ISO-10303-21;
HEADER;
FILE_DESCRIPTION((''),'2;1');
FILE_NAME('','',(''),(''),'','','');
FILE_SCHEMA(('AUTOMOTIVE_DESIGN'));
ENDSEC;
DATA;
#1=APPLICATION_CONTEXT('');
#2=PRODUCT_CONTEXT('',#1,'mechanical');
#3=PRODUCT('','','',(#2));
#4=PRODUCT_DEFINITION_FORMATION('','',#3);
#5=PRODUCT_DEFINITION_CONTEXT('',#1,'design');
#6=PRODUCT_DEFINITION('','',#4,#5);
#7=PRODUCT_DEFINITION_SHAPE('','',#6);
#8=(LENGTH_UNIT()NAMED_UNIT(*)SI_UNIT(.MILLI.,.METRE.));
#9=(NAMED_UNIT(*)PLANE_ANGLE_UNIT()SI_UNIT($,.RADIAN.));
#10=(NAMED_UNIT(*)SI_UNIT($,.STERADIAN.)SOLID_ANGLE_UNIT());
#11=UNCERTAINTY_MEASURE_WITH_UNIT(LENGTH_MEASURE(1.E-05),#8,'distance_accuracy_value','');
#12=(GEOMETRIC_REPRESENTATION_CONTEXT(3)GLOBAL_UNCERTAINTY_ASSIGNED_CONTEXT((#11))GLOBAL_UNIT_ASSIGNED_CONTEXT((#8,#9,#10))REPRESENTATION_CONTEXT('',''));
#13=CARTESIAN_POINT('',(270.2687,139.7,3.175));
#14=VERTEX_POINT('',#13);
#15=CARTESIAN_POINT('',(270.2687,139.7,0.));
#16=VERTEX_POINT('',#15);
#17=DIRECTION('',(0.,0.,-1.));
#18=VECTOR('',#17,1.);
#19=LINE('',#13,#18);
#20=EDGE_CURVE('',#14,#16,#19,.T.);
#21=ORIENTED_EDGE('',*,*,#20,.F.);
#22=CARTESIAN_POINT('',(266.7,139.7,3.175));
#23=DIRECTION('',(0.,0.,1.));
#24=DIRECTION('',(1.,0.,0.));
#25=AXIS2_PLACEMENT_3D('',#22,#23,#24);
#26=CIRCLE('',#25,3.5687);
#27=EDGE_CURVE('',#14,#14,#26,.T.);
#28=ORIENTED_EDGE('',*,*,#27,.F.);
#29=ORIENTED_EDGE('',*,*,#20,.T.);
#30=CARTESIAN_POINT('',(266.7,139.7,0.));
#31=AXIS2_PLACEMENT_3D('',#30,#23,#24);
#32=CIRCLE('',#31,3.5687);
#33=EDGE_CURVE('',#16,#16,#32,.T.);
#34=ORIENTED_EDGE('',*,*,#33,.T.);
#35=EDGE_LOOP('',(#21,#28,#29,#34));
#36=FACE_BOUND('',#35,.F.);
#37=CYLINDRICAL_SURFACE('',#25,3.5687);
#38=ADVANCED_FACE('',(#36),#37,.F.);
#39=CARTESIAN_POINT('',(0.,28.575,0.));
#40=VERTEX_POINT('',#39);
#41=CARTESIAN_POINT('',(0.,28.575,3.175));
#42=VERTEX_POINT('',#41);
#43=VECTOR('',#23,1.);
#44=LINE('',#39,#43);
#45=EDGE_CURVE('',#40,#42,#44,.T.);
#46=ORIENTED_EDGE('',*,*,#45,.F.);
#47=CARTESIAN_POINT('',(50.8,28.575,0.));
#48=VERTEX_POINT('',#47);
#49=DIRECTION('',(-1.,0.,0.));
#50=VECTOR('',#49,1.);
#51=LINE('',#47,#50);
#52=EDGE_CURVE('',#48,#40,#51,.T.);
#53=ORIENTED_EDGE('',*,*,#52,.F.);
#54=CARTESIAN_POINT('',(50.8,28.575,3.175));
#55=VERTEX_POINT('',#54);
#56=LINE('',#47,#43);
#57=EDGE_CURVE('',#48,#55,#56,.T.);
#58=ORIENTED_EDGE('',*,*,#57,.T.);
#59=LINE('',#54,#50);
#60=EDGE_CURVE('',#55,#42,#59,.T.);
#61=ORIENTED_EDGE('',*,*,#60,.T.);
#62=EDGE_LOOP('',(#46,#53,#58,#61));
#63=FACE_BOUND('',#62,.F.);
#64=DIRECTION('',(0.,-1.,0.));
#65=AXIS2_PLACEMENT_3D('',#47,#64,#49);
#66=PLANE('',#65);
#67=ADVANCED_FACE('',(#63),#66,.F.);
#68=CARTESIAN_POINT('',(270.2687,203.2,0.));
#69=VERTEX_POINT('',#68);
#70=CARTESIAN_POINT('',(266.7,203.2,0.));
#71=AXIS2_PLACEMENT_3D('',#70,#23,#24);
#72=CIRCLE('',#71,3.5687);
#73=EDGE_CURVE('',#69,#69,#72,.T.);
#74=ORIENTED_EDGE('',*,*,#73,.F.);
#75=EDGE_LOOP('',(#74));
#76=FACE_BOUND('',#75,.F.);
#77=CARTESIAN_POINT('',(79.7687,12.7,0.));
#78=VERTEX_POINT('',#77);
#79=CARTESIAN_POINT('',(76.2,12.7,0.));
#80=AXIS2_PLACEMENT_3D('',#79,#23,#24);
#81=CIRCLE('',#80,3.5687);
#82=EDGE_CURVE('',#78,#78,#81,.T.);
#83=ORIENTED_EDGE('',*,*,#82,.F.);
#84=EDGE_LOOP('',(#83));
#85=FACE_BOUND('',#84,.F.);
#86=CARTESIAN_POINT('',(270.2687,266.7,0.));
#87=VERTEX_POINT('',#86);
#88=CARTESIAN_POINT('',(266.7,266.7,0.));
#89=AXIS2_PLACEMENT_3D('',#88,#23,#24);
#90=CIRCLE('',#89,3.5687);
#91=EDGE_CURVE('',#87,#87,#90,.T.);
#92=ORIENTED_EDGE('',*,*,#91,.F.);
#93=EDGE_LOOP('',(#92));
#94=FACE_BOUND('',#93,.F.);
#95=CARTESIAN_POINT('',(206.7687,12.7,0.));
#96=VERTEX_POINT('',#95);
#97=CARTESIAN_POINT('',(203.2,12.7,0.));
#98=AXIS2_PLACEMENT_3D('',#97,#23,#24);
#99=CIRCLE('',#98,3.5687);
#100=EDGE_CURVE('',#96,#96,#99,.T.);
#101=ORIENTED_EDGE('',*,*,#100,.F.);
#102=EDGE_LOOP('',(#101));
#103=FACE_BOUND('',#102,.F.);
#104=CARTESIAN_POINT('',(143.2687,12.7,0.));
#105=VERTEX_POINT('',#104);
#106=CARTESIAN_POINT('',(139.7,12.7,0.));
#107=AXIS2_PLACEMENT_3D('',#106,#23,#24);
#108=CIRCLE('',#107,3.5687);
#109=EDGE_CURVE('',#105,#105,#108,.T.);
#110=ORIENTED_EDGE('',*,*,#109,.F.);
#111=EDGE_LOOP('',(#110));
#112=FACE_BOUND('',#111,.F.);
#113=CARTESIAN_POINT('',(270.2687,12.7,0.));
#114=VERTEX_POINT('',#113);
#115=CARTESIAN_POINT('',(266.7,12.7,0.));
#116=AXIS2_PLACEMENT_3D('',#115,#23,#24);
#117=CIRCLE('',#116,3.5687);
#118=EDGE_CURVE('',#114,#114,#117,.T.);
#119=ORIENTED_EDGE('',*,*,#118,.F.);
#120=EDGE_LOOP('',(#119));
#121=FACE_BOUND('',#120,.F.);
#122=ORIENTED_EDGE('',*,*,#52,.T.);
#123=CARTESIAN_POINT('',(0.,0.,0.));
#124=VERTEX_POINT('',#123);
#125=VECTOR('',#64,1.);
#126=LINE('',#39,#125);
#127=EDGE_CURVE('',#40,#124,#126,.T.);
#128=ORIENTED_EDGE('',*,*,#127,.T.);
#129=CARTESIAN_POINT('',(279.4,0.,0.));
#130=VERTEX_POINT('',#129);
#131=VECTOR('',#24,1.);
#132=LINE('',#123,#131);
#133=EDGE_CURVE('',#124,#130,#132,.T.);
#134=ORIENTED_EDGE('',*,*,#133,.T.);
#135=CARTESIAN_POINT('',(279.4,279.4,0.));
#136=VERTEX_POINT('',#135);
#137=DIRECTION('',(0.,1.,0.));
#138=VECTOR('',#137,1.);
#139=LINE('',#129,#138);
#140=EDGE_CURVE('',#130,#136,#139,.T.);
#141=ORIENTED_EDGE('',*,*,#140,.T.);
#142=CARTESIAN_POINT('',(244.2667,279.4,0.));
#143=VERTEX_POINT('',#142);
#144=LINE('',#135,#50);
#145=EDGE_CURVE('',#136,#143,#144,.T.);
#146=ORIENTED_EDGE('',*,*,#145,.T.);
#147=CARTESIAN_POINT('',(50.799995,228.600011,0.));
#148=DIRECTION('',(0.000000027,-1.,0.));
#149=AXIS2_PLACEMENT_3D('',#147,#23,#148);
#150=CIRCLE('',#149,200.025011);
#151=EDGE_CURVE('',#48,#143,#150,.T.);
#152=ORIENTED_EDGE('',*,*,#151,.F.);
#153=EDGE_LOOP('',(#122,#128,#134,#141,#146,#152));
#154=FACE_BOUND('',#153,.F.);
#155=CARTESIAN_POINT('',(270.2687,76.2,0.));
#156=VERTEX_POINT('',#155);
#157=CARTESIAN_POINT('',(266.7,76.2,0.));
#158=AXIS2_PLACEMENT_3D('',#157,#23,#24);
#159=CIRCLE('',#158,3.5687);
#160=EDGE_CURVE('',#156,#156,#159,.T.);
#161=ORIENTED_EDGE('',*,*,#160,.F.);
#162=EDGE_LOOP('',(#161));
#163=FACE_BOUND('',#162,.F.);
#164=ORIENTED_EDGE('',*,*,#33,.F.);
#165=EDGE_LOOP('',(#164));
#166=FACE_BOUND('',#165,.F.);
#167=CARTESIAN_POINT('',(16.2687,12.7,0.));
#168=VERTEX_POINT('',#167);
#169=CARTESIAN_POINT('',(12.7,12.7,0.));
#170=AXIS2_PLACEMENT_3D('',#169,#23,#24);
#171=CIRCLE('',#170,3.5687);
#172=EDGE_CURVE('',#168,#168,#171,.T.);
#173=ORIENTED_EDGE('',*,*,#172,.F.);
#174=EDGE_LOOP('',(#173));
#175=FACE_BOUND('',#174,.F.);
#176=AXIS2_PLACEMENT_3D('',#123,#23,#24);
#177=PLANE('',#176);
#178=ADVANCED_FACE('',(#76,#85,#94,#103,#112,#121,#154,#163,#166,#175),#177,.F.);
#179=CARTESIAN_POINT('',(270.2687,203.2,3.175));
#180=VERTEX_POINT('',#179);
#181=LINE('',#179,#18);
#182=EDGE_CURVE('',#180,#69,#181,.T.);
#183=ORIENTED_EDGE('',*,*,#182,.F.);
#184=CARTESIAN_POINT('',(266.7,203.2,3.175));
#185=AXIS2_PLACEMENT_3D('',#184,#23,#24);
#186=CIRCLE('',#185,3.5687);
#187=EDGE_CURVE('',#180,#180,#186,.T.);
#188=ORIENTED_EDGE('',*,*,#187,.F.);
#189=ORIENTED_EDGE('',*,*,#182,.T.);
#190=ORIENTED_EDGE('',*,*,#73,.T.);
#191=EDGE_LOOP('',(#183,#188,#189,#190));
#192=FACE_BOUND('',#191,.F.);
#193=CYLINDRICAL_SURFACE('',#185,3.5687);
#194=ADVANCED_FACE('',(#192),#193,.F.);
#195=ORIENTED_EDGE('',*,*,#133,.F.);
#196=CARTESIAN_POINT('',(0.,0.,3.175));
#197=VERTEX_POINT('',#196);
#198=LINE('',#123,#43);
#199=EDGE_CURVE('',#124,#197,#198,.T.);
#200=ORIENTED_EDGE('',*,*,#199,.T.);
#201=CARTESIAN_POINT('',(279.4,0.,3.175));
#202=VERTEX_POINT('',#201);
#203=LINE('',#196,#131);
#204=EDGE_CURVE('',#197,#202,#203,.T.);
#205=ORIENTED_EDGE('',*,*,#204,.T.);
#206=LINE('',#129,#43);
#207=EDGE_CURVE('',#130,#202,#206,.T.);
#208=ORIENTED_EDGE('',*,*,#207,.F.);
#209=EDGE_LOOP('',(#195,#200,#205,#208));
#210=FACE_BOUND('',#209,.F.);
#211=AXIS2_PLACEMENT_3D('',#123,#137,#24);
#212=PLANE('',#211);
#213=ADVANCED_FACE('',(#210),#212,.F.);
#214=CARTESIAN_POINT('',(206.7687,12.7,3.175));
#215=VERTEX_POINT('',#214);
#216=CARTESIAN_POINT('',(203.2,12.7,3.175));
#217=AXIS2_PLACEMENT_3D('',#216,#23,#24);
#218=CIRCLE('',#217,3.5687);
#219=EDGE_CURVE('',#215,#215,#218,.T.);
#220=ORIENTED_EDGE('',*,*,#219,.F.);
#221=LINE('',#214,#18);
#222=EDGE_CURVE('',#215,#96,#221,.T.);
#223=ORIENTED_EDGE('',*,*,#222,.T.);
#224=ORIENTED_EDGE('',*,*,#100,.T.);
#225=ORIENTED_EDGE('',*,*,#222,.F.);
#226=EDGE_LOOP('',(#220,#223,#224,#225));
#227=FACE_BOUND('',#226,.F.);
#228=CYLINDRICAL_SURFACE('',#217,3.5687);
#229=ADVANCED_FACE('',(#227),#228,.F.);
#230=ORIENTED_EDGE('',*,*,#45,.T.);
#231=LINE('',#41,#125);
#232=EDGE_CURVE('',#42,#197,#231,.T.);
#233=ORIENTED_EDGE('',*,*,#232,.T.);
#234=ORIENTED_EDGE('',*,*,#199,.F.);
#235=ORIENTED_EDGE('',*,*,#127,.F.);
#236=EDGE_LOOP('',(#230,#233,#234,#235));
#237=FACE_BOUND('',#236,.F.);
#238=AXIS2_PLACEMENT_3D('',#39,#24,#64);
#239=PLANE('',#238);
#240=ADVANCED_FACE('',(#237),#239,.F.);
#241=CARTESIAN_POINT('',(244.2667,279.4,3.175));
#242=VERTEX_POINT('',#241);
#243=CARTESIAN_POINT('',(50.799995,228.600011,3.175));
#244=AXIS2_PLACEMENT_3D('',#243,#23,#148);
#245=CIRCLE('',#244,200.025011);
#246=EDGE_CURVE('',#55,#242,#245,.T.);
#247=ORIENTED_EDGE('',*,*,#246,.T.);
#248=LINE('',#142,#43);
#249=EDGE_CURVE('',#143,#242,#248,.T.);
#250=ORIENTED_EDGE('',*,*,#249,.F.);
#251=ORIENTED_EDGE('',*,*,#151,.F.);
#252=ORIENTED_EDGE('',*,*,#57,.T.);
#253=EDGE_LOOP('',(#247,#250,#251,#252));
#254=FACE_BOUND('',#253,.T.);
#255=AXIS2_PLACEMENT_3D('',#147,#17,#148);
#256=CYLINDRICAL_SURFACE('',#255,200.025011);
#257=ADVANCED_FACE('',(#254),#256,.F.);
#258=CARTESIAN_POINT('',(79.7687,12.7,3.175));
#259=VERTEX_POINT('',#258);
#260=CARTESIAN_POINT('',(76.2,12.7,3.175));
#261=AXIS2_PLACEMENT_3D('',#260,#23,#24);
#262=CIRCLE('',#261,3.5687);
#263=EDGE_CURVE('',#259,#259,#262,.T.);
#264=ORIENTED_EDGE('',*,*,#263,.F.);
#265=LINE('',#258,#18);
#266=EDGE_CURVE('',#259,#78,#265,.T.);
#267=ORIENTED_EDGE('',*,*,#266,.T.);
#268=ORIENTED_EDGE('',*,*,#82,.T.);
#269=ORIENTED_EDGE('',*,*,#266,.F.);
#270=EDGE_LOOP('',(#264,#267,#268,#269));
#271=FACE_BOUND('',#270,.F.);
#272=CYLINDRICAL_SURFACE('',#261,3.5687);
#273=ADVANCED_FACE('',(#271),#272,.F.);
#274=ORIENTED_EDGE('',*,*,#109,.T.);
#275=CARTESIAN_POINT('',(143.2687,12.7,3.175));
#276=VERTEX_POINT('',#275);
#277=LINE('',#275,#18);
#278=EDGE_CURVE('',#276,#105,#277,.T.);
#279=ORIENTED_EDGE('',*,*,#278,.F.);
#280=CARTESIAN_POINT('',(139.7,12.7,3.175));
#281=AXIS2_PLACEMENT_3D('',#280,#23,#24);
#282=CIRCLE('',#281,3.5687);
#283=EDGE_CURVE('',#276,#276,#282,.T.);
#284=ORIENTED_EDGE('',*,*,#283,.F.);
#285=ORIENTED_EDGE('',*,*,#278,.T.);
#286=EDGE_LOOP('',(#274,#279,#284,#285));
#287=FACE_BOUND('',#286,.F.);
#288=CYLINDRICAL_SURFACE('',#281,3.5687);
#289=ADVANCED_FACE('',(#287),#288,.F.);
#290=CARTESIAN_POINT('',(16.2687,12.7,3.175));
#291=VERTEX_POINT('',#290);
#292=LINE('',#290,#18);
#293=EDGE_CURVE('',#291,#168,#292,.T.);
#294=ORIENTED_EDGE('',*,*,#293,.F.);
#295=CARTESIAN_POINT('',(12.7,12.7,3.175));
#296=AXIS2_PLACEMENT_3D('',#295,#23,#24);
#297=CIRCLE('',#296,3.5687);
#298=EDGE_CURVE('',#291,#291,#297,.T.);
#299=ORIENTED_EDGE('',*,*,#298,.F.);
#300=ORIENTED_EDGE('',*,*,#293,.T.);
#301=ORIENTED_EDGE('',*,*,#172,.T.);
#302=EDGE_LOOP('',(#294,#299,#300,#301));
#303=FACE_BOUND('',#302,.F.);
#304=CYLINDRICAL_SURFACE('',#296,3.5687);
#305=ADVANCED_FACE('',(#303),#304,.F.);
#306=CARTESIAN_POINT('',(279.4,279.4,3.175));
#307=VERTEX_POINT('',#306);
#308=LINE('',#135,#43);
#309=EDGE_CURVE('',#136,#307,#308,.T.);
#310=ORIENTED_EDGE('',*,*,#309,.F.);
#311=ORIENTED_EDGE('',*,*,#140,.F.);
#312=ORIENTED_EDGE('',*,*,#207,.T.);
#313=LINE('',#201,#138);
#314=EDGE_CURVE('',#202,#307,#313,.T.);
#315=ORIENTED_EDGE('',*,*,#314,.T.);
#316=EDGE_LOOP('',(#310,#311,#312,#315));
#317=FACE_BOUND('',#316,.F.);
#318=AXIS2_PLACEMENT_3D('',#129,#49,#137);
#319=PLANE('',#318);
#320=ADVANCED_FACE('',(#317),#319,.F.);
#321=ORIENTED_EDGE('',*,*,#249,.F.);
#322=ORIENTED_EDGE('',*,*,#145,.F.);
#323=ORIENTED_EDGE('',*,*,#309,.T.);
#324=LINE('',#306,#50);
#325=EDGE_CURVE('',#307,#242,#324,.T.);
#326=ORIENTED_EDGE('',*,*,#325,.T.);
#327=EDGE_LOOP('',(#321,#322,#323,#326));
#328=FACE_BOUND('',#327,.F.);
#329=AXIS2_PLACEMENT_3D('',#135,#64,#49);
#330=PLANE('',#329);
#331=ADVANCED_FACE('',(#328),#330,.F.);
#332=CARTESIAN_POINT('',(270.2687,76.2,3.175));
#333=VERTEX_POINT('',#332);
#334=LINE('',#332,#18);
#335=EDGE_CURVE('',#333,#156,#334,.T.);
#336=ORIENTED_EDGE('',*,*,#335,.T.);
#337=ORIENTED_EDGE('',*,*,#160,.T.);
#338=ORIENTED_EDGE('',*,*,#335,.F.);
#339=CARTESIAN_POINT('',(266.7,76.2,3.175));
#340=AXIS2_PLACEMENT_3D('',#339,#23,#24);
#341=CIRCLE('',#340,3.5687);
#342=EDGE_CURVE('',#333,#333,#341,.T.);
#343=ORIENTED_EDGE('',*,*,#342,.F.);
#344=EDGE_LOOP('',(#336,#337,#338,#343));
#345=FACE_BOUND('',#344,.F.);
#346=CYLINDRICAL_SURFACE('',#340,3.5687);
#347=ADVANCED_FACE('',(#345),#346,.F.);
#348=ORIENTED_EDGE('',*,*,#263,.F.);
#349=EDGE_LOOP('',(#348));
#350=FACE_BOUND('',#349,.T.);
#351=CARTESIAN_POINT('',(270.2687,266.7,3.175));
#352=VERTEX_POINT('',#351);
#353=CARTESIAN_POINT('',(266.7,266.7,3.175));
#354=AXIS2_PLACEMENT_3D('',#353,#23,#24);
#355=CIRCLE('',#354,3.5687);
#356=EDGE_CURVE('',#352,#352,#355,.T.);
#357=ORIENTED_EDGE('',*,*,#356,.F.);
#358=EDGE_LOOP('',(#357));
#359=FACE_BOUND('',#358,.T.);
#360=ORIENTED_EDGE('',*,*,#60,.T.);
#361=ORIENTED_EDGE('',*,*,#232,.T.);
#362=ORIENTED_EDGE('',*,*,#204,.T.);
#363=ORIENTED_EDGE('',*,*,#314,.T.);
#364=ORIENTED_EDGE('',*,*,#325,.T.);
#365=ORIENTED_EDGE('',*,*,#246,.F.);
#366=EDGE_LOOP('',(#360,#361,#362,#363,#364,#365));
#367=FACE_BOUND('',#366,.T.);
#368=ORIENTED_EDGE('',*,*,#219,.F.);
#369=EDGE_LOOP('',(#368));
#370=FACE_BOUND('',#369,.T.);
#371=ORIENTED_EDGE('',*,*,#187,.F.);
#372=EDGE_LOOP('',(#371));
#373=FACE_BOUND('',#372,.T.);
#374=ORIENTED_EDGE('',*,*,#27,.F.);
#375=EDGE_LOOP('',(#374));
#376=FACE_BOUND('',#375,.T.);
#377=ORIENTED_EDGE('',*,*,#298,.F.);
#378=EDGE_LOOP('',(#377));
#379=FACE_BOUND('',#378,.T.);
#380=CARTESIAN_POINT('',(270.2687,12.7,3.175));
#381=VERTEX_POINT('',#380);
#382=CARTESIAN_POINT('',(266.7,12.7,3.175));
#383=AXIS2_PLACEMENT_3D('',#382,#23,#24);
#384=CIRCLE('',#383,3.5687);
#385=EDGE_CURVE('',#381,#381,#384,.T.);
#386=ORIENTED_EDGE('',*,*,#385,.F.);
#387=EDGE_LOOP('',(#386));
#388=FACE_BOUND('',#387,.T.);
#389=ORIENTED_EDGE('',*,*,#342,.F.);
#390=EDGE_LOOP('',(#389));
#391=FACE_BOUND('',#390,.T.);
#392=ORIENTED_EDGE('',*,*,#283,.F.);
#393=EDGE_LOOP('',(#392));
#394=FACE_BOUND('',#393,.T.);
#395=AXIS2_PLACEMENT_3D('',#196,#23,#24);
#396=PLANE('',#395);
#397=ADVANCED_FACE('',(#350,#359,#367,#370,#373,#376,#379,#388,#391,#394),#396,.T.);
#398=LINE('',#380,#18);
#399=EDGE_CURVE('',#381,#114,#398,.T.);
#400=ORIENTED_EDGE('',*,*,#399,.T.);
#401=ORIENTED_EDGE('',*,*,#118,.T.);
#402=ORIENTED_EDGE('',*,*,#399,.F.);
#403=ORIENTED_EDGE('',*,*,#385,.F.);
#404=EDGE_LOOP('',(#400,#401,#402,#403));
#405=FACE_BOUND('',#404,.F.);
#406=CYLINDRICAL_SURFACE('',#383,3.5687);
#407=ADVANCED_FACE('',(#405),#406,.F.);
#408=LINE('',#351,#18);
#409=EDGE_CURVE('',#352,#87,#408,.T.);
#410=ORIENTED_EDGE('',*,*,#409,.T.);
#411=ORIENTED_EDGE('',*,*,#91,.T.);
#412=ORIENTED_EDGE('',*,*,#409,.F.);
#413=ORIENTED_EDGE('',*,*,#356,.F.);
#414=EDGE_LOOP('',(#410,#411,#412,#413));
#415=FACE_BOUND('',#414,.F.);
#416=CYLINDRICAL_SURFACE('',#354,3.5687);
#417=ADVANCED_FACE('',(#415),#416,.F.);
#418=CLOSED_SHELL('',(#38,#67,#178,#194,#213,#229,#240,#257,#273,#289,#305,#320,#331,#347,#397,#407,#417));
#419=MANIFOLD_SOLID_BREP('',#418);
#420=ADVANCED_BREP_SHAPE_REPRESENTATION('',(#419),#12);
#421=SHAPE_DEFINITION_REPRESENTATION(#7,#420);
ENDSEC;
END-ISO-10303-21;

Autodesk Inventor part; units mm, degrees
ref_plane "YZ Plane" through (0, 0, 0) normal (1, 0, 0) x (0, 1, 0)
ref_plane "XZ Plane" through (0, 0, 0) normal (0, 1, 0) x (-1, 0, 0)
ref_plane "XY Plane" through (0, 0, 0) normal (0, 0, 1) x (1, 0, 0)
sketch "Sketch1" plane through (0, 0, 0) normal (0, 0, 1) x (1, 0, 0)
  line L0 (0, 0) -> (279.4, 0)
  line L1 (279.4, 0) -> (279.4, 279.4)
  line L2 (279.4, 279.4) -> (244.2667, 279.4)
  line L3 (0, 28.575) -> (0, 0)
  arc A0 (50.8, 28.575) -> (244.2667, 279.4) centre (50.8, 228.6) ccw
  line L4 (50.8, 28.575) -> (0, 28.575)
  dimension "d0" = 279.4
  dimension "d1" = 279.4
  dimension "d2" = 228.6
  dimension "d3" = 228.6
  dimension "d4" = 400.05
extrude "Extrusion1" add sketch "Sketch1" along normal blind 3.175
sketch "Sketch2" plane through (0, 0, 3.175) normal (0, 0, 1) x (1, 0, 0)
  circle A0 centre (266.7, 12.7) radius 3.5687
  line L0 (0, 0) -> (279.4, 0) projected
  line L1 (279.4, 0) -> (279.4, 279.4) projected
  circle A1 centre (266.7, 76.2) radius 3.5687
  circle A2 centre (266.7, 139.7) radius 3.5687
  circle A3 centre (266.7, 203.2) radius 3.5687
  circle A4 centre (266.7, 266.7) radius 3.5687
  circle A5 centre (203.2, 12.7) radius 3.5687
  circle A6 centre (139.7, 12.7) radius 3.5687
  circle A7 centre (76.2, 12.7) radius 3.5687
  circle A8 centre (12.7, 12.7) radius 3.5687
  dimension "d7" = 7.1374
  dimension "d8" = 12.7
  dimension "d9" = 12.7
  dimension "d12" = 63.5
  dimension "d22" = 63.5
extrude "Extrusion2" cut sketch "Sketch2" against normal blind 3.175
properties part number "1073-2017 Shooter Inside Plate"
